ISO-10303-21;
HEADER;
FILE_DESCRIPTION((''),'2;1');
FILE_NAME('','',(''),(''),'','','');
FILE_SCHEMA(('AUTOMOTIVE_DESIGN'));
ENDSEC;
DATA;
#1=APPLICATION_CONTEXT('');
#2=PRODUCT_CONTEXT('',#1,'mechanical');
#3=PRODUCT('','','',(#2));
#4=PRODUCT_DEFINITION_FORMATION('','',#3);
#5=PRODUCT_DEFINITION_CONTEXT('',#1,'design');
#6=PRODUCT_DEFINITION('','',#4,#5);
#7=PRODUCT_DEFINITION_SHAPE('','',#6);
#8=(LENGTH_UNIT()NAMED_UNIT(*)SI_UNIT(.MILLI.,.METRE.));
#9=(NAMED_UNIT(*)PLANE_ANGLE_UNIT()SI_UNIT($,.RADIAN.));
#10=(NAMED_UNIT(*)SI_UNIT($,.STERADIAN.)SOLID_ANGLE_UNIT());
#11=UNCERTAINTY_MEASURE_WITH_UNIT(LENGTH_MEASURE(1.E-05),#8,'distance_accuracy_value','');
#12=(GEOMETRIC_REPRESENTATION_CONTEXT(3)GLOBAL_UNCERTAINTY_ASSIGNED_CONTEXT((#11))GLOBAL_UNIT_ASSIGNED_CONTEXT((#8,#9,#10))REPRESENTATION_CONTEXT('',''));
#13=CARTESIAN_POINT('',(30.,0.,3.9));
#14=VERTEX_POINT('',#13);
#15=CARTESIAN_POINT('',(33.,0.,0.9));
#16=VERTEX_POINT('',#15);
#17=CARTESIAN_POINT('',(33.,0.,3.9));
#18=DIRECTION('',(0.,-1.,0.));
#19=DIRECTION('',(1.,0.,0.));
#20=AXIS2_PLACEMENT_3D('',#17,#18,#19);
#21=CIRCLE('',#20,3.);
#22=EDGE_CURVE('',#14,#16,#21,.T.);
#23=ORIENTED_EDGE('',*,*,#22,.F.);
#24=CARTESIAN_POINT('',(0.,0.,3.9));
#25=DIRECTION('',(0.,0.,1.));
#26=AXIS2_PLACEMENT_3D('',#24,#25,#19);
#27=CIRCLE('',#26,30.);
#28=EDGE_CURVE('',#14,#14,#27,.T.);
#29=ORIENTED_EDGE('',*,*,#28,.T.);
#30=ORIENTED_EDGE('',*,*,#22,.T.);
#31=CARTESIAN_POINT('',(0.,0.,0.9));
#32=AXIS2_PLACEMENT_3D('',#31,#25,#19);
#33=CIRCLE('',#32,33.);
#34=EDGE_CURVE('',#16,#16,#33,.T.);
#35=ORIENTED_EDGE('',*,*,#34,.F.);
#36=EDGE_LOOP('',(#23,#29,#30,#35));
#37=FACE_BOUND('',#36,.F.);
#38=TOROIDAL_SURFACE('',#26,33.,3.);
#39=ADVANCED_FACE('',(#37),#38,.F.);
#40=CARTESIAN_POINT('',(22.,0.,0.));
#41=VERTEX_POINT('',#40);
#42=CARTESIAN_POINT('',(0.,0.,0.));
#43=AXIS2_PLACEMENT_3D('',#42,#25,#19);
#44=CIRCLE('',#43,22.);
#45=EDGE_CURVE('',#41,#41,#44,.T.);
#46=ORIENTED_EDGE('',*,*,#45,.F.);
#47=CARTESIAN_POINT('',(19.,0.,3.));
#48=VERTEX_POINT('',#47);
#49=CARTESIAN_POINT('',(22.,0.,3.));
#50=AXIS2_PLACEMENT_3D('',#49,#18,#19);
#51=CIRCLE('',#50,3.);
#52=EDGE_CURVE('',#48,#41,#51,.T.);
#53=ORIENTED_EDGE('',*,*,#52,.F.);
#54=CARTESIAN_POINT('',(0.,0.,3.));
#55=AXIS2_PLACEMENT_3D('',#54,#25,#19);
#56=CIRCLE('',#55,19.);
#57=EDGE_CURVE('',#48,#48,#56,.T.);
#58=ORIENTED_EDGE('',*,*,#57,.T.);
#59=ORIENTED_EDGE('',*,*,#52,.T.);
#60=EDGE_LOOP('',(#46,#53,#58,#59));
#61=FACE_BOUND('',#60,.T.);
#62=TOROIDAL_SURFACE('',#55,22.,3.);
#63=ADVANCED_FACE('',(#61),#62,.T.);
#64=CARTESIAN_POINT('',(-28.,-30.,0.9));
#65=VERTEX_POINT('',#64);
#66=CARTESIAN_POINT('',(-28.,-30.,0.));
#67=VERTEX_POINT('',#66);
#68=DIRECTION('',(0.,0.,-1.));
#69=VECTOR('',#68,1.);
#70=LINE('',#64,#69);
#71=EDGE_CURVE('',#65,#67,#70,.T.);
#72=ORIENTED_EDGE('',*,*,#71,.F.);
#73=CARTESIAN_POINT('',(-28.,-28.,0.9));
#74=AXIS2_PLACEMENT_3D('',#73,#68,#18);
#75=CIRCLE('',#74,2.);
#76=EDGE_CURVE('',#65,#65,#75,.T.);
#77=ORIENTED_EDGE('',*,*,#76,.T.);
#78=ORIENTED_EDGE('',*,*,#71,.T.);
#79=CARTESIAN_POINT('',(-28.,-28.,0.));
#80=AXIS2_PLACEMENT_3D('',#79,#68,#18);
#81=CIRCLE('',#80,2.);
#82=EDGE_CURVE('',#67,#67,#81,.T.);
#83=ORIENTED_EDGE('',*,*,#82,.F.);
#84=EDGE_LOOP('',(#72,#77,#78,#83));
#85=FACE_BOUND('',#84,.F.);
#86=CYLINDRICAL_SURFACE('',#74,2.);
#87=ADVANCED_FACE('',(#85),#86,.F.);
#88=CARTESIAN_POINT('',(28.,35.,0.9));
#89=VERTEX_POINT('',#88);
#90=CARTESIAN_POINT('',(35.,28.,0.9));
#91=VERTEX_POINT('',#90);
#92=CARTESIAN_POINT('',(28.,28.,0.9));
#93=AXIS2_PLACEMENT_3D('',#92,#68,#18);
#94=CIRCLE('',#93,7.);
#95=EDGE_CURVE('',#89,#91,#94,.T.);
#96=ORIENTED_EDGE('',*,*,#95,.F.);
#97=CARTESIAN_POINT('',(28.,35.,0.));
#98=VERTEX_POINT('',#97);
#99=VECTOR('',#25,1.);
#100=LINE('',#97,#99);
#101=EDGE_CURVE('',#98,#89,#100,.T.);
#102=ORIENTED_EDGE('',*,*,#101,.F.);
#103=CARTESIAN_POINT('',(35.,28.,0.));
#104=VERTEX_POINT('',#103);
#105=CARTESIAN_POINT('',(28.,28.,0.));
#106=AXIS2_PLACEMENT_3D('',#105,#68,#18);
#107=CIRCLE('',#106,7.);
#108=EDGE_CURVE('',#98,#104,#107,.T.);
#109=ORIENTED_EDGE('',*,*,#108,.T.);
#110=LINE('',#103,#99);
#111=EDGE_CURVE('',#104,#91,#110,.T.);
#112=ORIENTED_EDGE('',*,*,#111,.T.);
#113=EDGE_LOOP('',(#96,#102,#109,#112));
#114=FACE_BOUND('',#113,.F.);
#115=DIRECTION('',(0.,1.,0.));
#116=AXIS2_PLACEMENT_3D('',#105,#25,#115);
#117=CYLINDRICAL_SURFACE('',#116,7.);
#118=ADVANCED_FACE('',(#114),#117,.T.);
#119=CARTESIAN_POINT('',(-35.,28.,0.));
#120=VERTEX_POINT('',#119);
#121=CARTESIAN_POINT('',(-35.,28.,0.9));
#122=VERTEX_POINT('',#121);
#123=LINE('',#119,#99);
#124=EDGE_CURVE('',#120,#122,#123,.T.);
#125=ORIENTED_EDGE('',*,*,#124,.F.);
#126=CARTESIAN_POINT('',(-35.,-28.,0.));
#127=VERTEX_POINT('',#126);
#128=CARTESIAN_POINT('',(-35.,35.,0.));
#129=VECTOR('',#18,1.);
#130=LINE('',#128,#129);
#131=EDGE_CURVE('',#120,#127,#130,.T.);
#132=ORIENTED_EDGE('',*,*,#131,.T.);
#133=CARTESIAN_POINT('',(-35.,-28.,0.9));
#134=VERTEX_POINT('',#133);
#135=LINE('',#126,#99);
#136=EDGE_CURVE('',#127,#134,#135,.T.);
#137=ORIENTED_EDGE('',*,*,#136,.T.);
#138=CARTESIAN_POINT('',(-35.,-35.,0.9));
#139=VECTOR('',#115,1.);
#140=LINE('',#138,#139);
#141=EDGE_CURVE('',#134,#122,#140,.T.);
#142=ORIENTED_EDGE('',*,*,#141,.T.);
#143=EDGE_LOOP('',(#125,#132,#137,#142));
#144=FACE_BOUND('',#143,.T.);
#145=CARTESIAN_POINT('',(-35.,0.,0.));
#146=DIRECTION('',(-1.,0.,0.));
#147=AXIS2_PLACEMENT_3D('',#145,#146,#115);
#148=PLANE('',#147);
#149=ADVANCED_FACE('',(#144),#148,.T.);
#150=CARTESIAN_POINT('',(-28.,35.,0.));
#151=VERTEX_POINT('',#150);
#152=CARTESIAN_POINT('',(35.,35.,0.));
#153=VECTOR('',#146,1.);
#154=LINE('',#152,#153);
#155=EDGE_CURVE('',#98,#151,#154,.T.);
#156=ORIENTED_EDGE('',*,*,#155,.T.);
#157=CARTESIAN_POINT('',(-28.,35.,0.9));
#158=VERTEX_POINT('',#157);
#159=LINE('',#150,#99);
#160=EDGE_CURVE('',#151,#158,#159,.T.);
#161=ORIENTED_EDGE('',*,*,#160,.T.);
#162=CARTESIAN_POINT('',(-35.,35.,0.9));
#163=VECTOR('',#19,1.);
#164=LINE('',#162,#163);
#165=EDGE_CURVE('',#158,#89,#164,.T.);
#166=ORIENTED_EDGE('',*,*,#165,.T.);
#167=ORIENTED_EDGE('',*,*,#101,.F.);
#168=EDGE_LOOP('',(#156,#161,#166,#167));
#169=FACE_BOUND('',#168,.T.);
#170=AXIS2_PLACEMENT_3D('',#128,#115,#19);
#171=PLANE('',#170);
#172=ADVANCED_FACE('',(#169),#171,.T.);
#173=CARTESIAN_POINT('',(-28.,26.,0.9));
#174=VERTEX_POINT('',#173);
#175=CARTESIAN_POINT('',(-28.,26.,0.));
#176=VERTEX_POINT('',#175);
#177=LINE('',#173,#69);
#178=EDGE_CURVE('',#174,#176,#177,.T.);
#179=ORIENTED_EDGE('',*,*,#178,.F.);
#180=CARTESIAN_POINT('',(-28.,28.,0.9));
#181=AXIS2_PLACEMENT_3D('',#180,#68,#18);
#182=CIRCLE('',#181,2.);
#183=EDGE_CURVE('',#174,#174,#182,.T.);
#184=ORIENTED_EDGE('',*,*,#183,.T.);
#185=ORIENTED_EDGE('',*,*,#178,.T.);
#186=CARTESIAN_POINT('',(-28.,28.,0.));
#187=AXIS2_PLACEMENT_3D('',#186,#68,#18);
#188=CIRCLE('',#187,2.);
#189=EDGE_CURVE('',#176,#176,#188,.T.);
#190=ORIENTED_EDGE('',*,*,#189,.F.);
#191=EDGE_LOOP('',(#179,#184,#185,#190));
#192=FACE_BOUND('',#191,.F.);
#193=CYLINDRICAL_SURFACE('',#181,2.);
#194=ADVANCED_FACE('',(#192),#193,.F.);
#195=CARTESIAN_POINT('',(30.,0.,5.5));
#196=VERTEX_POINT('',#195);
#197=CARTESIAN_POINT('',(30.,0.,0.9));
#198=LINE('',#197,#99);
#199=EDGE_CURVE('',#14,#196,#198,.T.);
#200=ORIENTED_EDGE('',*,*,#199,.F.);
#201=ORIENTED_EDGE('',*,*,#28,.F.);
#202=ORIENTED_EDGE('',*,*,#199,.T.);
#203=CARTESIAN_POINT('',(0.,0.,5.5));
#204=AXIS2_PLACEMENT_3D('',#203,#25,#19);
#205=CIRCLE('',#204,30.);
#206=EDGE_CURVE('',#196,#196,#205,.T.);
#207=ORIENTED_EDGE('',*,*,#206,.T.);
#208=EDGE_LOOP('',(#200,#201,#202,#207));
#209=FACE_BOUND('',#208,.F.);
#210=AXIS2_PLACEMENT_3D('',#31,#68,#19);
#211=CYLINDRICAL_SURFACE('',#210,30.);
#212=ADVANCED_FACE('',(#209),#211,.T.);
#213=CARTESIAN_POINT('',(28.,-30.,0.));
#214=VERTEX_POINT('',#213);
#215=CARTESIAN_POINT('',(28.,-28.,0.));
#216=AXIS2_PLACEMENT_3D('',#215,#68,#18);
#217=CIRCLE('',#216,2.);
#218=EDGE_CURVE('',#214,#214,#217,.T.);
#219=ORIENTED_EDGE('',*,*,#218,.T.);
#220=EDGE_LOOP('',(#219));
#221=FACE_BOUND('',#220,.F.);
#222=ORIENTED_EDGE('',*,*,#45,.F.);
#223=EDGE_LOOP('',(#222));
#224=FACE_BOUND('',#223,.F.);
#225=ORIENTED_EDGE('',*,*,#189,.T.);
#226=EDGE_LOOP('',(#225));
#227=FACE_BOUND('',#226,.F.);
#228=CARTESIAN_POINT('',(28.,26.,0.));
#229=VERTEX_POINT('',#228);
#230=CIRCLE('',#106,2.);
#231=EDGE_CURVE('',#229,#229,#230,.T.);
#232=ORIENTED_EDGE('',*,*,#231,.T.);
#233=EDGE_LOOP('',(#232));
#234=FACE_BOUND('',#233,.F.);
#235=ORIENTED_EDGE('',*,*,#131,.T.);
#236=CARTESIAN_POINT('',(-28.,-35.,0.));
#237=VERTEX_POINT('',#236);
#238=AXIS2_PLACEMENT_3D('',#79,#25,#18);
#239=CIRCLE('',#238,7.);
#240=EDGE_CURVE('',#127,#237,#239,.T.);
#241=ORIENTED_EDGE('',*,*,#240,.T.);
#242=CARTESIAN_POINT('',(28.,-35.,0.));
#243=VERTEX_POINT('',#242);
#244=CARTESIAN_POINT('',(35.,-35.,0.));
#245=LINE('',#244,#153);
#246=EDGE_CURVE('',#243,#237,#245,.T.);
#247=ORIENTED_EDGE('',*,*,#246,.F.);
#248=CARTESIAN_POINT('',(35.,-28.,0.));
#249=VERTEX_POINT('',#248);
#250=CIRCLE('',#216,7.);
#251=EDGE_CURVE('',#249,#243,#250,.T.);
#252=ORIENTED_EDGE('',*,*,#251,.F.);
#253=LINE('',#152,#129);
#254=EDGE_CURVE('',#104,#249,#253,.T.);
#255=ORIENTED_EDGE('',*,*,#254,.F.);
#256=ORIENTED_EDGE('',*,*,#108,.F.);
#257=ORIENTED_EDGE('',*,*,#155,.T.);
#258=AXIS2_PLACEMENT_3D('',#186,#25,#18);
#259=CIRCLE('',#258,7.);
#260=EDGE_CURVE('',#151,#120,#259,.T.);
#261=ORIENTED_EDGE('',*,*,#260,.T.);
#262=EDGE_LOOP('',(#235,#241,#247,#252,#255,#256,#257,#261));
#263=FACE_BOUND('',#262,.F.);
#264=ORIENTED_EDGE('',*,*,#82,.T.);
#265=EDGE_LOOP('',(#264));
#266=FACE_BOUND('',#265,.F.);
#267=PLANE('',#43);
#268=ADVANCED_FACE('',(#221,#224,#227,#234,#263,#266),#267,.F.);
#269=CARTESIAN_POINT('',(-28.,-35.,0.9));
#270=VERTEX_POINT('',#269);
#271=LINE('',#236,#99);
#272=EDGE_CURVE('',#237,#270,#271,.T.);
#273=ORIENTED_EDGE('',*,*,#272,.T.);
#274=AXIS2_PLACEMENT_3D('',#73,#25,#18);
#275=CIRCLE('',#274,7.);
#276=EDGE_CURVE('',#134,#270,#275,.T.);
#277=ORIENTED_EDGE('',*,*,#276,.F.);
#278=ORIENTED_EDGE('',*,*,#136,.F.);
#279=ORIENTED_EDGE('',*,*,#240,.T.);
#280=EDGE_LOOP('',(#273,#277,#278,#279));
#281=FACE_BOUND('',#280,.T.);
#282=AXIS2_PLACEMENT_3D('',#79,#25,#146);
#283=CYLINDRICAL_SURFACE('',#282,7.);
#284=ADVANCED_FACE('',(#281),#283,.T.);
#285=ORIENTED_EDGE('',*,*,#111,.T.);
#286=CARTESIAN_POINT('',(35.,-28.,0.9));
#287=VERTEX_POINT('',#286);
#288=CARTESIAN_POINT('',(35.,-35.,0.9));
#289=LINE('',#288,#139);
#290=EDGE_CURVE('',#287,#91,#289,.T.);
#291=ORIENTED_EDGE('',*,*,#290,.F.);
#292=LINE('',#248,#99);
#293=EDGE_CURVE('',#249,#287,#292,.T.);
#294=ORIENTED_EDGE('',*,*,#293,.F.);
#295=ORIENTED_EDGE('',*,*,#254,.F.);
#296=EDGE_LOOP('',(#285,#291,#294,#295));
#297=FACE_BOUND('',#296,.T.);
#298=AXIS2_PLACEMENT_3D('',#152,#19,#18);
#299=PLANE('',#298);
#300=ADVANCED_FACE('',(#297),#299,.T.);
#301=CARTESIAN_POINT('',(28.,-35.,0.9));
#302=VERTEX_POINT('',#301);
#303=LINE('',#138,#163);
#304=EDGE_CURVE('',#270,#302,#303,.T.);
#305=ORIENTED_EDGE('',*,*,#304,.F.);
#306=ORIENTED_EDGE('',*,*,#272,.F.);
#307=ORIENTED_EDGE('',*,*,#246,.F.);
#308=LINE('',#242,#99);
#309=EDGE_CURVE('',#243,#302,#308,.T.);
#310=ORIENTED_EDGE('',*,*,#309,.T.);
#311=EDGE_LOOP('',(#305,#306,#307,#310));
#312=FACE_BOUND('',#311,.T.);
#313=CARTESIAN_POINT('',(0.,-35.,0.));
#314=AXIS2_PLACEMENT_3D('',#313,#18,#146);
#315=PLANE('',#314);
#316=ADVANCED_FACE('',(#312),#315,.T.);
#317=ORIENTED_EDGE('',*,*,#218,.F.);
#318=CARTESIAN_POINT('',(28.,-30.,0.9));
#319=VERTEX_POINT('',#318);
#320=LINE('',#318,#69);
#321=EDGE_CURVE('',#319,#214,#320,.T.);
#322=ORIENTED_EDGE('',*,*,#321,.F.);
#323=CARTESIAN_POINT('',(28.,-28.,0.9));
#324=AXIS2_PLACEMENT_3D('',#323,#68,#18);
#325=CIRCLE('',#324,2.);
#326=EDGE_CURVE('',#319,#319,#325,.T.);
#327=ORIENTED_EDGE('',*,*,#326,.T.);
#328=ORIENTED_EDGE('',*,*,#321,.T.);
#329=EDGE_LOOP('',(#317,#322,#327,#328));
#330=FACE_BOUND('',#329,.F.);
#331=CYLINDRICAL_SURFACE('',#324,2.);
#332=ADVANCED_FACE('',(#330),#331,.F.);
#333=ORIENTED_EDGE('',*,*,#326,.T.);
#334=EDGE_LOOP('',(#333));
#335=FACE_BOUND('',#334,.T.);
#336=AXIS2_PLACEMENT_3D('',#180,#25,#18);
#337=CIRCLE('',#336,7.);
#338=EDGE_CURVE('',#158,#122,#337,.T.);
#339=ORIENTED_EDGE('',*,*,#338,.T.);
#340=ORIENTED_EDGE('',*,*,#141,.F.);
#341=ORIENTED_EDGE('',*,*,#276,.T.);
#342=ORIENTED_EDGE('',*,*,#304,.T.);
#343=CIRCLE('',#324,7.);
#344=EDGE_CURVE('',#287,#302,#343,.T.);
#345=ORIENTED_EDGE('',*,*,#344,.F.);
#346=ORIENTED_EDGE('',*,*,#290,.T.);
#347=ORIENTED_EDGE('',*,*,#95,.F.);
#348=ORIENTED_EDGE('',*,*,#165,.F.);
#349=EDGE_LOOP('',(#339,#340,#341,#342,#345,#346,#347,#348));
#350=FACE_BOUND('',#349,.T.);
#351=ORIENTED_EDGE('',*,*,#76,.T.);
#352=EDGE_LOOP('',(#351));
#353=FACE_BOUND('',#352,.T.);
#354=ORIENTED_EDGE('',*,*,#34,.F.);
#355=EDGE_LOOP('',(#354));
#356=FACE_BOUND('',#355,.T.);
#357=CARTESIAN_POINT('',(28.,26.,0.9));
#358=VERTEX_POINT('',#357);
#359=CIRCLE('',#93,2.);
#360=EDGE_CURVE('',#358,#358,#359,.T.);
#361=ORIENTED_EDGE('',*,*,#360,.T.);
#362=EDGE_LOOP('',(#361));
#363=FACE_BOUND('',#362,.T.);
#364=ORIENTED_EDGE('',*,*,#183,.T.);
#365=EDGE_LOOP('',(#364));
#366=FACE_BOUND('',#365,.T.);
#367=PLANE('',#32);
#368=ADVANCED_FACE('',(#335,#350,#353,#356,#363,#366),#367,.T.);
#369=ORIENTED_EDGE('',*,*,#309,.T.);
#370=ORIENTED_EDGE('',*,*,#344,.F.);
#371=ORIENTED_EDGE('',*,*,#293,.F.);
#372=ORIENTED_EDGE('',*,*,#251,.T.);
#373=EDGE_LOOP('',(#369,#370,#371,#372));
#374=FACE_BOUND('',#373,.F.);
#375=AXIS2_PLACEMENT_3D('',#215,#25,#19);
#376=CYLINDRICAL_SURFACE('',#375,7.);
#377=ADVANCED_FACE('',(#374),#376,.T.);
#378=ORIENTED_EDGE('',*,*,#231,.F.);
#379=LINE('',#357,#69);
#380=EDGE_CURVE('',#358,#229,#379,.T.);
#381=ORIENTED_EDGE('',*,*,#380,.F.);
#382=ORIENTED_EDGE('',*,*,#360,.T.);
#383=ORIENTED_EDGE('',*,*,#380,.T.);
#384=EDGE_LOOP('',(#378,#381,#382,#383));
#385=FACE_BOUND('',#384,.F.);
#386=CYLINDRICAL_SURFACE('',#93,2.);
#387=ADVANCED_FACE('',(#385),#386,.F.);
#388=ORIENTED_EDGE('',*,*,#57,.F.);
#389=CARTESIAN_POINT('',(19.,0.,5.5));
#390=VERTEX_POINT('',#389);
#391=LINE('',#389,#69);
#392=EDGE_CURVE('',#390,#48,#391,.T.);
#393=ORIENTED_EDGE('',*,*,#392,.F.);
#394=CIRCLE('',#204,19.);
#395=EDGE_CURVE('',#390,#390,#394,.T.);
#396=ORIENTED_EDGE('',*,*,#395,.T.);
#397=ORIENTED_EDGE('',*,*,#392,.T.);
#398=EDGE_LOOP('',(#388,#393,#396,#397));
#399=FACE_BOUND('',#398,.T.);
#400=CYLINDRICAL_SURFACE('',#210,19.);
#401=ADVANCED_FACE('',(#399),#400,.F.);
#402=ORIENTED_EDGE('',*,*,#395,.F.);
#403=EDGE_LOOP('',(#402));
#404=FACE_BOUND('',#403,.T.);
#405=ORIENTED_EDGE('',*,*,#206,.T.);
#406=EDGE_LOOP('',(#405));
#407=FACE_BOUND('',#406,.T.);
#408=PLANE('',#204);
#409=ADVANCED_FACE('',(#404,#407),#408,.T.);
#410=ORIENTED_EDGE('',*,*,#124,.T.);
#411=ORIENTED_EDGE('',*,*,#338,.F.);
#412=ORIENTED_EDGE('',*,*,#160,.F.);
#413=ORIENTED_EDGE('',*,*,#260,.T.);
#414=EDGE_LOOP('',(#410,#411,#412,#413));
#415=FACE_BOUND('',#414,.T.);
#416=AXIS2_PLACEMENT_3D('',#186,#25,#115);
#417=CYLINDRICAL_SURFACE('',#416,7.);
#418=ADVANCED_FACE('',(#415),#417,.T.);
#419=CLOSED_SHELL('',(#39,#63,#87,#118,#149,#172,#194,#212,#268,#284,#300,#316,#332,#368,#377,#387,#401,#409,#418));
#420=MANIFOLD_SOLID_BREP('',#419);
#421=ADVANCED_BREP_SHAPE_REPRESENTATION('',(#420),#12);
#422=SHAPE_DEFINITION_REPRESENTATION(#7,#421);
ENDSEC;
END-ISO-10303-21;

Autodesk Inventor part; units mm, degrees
ref_plane "YZ Plane" through (0, 0, 0) normal (1, 0, 0) x (0, 1, 0)
ref_plane "XZ Plane" through (0, 0, 0) normal (0, 1, 0) x (-1, 0, 0)
ref_plane "XY Plane" through (0, 0, 0) normal (0, 0, 1) x (1, 0, 0)
sketch "Skizze1" plane through (0, 0, 0) normal (0, 0, 1) x (1, 0, 0)
  line L0 (-35, 35) -> (35, 35)
  line L1 (35, 35) -> (35, -35)
  line L2 (35, -35) -> (-35, -35)
  line L3 (-35, -35) -> (-35, 35)
  circle A0 centre (0, 0) radius 35
  circle A1 centre (0, 0) radius 19
  dimension "d0" = 70
  dimension "d1" = 38
extrude "Extrusion1" add sketch "Skizze1" along normal blind 0.9
fillet "Rundung1" radius 7 4 edges at (-35, -35, 0.45) (35, -35, 0.45) (-35, 35, 0.45) (35, 35, 0.45)
sketch "Skizze2" plane through (0, 0, 0.9) normal (0, 0, 1) x (1, 0, 0)
  arc A0 (35, 28) -> (28, 35) centre (28, 28) ccw projected
  arc A1 (-28, 35) -> (-35, 28) centre (-28, 28) ccw projected
  arc A2 (-35, -28) -> (-28, -35) centre (-28, -28) ccw projected
  arc A3 (28, -35) -> (35, -28) centre (28, -28) ccw projected
  dimension "d16" = 56
hole "Bohrung1" at (-28, -28, 0.9) at (28, -28, 0.9) at (28, 28, 0.9) at (-28, 28, 0.9) direction (0, 0, -1) diameter 4 depth 8 tip angle 118
sketch "Skizze3" plane through (0, 0, 0.9) normal (0, 0, 1) x (1, 0, 0)
  circle A0 centre (0, 0) radius 19 projected
  circle A1 centre (0, 0) radius 30
  dimension "d12" = 60
extrude "Extrusion2" add sketch "Skizze3" along normal blind 4.6
fillet "Rundung2" radius 3 2 edges at (-19, 0, 0) (-30, 0, 0.9)
properties part number "70mmkugellager" material "Stahl, galvanisiert"
